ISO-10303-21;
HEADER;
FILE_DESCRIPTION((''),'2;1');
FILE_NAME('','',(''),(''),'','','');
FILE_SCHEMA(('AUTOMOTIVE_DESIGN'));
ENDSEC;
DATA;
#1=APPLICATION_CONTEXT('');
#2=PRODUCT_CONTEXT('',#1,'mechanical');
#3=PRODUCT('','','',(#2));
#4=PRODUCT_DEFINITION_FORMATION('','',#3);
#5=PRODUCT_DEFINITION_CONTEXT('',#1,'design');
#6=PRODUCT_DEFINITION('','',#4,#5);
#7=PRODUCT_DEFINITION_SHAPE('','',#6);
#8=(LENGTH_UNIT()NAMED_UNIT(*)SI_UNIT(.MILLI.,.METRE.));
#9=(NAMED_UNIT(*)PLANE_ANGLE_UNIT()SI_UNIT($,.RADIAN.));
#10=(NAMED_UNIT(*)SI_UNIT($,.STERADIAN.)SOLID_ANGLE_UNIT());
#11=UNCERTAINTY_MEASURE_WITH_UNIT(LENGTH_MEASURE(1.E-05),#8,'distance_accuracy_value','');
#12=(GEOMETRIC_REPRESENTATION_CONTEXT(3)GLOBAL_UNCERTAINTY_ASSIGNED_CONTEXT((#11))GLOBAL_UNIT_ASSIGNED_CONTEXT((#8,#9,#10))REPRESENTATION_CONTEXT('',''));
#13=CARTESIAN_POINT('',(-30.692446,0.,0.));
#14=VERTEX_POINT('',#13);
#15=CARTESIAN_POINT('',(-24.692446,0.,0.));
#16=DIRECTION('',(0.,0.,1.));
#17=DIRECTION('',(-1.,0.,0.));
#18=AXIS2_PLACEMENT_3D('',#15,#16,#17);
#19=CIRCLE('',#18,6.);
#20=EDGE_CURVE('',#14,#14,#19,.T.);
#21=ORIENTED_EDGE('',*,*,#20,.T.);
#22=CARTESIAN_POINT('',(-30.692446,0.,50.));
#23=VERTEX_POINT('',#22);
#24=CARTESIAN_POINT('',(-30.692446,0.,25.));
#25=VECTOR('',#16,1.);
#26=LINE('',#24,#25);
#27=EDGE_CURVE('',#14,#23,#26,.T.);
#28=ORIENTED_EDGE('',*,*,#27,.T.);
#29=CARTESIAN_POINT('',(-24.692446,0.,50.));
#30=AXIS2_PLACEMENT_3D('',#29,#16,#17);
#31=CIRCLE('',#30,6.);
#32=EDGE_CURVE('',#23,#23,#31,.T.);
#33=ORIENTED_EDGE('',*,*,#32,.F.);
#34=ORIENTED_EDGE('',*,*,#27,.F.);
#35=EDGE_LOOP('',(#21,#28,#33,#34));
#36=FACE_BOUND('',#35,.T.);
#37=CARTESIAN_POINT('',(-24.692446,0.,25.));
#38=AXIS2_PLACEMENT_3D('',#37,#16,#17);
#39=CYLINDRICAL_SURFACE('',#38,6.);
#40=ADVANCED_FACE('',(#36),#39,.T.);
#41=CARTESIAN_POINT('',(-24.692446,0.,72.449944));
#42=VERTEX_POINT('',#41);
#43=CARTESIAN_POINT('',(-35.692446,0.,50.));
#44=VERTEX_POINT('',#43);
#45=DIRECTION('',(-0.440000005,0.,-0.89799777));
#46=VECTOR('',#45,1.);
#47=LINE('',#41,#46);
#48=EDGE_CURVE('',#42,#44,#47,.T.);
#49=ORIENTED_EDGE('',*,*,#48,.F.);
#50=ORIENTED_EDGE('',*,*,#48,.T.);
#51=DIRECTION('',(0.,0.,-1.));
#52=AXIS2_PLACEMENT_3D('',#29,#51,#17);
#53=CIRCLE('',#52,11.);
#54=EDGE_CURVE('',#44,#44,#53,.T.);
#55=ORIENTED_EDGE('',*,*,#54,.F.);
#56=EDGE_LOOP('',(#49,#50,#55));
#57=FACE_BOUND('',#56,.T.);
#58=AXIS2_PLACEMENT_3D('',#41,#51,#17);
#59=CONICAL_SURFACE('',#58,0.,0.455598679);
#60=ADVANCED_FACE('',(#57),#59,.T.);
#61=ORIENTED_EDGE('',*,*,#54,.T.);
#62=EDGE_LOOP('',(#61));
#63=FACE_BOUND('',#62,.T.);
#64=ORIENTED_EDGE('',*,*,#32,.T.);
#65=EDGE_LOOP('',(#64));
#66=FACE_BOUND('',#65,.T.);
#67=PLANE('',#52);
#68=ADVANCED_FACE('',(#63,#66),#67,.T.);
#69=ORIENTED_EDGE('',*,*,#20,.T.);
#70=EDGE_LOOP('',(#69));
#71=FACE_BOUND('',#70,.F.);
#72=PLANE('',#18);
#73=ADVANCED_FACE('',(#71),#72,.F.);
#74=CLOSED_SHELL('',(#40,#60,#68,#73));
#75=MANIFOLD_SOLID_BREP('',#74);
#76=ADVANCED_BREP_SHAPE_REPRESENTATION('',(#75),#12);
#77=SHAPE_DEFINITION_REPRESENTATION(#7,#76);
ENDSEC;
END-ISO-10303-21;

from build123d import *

# Parameters (mm, degrees)
F0_W = 6
F0_H = 50


with BuildPart() as f1:
    # F0 (on Front) → F1 (revolve)
    with BuildSketch(Plane.XZ):
        with Locations((-27.692446, 25)):
            Rectangle(F0_W, F0_H)
    revolve(axis=Axis((-24.692446, 0, 25), (0, 0, 1)))

    # F0 (on Front) → F2 (revolve)
    with BuildSketch(Plane.XZ):
        Polygon((-35.692446, 50), (-30.692446, 50), (-24.692446, 50), (-24.692446, 72.449944), align=None)
    revolve(axis=Axis((-24.692446, 0, 61.224972), (0, 0, -1)))


solid = f1.part
